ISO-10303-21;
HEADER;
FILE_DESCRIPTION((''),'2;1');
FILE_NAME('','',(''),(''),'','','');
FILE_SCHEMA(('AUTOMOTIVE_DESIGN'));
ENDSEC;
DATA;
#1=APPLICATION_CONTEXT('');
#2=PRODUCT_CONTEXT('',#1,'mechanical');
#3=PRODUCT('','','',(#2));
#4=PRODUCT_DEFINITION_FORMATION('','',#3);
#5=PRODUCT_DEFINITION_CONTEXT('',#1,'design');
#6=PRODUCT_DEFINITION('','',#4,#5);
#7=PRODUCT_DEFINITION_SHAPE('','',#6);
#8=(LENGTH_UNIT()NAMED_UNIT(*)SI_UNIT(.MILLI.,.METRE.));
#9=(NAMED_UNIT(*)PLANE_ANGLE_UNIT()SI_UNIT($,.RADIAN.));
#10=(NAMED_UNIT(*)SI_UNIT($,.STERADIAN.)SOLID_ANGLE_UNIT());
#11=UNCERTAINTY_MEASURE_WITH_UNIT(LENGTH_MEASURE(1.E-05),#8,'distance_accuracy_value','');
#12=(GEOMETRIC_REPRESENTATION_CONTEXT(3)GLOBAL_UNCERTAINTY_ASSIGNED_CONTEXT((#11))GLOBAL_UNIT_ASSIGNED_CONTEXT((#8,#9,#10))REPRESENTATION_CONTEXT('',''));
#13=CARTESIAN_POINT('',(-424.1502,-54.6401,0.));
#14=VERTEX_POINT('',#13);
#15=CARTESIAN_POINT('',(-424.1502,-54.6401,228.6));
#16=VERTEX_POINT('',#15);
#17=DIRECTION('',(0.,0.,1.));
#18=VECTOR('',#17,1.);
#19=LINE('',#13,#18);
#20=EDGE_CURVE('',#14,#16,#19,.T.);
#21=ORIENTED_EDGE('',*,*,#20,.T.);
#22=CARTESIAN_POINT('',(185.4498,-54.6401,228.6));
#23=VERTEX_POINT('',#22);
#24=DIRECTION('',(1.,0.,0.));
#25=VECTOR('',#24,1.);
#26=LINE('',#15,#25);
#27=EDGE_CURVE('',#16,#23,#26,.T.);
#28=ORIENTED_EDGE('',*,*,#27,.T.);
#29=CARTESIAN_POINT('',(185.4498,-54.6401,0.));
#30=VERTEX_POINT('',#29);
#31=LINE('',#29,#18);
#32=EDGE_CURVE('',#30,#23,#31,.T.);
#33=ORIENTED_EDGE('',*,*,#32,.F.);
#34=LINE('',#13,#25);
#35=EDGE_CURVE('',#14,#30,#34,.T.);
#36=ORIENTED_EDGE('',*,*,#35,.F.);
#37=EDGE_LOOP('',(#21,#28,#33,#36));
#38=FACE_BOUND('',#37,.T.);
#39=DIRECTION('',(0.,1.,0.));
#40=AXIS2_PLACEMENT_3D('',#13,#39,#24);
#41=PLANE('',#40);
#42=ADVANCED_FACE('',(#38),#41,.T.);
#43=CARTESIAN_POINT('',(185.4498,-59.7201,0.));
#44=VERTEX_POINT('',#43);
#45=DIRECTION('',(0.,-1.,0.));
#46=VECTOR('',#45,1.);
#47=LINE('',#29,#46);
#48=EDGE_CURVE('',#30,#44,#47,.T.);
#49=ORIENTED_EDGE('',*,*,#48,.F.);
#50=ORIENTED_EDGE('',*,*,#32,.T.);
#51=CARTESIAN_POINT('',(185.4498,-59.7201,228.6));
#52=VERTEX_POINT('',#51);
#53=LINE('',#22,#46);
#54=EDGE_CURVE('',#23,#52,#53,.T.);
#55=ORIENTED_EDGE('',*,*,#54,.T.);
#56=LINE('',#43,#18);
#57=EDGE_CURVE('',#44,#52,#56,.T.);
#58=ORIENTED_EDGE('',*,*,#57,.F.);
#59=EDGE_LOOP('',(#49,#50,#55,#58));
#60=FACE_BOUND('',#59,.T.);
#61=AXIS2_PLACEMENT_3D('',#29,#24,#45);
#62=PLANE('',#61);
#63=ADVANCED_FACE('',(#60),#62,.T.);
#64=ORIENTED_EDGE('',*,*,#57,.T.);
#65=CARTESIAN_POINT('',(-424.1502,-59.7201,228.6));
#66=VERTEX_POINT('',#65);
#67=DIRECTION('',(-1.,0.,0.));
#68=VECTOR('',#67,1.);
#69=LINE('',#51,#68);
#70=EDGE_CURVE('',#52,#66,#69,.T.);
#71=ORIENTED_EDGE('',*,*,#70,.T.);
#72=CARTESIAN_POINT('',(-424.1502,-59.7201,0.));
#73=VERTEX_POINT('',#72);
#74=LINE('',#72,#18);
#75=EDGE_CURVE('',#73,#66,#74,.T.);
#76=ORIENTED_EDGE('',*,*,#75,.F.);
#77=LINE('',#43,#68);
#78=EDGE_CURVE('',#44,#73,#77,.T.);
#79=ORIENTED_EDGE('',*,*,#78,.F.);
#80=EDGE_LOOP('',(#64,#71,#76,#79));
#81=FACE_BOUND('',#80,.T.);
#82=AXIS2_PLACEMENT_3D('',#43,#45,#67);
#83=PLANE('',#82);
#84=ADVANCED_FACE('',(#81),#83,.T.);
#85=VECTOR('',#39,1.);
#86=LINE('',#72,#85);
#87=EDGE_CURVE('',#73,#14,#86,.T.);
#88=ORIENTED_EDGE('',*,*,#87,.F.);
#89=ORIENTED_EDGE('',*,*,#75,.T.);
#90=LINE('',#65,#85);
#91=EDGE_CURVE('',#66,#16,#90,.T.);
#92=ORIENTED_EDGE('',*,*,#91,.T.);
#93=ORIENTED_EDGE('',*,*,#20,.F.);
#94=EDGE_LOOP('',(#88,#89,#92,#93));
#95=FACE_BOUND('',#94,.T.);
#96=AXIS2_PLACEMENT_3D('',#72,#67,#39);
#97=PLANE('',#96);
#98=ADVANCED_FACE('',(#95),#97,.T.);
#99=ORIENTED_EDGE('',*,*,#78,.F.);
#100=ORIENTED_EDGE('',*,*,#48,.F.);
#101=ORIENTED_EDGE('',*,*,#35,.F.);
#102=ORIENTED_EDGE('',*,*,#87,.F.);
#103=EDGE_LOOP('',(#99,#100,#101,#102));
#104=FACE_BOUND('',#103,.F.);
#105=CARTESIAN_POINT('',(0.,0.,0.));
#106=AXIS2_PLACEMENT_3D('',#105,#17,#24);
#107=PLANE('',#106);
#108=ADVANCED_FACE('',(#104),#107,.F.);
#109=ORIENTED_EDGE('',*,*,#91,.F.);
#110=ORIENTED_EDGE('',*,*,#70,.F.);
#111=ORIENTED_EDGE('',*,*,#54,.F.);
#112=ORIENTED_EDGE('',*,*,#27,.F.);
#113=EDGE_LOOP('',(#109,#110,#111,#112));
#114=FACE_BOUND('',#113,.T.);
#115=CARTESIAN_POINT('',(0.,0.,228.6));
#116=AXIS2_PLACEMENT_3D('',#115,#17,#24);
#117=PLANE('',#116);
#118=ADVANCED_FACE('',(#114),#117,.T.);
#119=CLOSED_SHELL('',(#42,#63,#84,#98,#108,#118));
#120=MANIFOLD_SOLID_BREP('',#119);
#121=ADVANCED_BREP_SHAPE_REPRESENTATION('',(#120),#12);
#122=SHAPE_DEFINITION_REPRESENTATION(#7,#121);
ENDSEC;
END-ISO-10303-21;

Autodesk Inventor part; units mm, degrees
ref_plane "YZ Plane" through (0, 0, 0) normal (1, 0, 0) x (0, 1, 0)
ref_plane "XZ Plane" through (0, 0, 0) normal (0, 1, 0) x (-1, 0, 0)
ref_plane "XY Plane" through (0, 0, 0) normal (0, 0, 1) x (1, 0, 0)
sketch "Sketch1" plane through (0, 0, 0) normal (0, 0, 1) x (1, 0, 0)
  line L0 (185.4498, -59.7201) -> (-424.1502, -59.7201)
  line L1 (-424.1502, -59.7201) -> (-424.1502, -54.6401)
  line L2 (-424.1502, -54.6401) -> (185.4498, -54.6401)
  line L3 (185.4498, -54.6401) -> (185.4498, -59.7201)
  point P0 (0, 0)
  dimension "d0" = 609.6
  dimension "d1" = 5.08
extrude "Extrusion1" add sketch "Sketch1" along normal blind 228.6
properties part number "ElectronicsBoardVerticalBottom"
